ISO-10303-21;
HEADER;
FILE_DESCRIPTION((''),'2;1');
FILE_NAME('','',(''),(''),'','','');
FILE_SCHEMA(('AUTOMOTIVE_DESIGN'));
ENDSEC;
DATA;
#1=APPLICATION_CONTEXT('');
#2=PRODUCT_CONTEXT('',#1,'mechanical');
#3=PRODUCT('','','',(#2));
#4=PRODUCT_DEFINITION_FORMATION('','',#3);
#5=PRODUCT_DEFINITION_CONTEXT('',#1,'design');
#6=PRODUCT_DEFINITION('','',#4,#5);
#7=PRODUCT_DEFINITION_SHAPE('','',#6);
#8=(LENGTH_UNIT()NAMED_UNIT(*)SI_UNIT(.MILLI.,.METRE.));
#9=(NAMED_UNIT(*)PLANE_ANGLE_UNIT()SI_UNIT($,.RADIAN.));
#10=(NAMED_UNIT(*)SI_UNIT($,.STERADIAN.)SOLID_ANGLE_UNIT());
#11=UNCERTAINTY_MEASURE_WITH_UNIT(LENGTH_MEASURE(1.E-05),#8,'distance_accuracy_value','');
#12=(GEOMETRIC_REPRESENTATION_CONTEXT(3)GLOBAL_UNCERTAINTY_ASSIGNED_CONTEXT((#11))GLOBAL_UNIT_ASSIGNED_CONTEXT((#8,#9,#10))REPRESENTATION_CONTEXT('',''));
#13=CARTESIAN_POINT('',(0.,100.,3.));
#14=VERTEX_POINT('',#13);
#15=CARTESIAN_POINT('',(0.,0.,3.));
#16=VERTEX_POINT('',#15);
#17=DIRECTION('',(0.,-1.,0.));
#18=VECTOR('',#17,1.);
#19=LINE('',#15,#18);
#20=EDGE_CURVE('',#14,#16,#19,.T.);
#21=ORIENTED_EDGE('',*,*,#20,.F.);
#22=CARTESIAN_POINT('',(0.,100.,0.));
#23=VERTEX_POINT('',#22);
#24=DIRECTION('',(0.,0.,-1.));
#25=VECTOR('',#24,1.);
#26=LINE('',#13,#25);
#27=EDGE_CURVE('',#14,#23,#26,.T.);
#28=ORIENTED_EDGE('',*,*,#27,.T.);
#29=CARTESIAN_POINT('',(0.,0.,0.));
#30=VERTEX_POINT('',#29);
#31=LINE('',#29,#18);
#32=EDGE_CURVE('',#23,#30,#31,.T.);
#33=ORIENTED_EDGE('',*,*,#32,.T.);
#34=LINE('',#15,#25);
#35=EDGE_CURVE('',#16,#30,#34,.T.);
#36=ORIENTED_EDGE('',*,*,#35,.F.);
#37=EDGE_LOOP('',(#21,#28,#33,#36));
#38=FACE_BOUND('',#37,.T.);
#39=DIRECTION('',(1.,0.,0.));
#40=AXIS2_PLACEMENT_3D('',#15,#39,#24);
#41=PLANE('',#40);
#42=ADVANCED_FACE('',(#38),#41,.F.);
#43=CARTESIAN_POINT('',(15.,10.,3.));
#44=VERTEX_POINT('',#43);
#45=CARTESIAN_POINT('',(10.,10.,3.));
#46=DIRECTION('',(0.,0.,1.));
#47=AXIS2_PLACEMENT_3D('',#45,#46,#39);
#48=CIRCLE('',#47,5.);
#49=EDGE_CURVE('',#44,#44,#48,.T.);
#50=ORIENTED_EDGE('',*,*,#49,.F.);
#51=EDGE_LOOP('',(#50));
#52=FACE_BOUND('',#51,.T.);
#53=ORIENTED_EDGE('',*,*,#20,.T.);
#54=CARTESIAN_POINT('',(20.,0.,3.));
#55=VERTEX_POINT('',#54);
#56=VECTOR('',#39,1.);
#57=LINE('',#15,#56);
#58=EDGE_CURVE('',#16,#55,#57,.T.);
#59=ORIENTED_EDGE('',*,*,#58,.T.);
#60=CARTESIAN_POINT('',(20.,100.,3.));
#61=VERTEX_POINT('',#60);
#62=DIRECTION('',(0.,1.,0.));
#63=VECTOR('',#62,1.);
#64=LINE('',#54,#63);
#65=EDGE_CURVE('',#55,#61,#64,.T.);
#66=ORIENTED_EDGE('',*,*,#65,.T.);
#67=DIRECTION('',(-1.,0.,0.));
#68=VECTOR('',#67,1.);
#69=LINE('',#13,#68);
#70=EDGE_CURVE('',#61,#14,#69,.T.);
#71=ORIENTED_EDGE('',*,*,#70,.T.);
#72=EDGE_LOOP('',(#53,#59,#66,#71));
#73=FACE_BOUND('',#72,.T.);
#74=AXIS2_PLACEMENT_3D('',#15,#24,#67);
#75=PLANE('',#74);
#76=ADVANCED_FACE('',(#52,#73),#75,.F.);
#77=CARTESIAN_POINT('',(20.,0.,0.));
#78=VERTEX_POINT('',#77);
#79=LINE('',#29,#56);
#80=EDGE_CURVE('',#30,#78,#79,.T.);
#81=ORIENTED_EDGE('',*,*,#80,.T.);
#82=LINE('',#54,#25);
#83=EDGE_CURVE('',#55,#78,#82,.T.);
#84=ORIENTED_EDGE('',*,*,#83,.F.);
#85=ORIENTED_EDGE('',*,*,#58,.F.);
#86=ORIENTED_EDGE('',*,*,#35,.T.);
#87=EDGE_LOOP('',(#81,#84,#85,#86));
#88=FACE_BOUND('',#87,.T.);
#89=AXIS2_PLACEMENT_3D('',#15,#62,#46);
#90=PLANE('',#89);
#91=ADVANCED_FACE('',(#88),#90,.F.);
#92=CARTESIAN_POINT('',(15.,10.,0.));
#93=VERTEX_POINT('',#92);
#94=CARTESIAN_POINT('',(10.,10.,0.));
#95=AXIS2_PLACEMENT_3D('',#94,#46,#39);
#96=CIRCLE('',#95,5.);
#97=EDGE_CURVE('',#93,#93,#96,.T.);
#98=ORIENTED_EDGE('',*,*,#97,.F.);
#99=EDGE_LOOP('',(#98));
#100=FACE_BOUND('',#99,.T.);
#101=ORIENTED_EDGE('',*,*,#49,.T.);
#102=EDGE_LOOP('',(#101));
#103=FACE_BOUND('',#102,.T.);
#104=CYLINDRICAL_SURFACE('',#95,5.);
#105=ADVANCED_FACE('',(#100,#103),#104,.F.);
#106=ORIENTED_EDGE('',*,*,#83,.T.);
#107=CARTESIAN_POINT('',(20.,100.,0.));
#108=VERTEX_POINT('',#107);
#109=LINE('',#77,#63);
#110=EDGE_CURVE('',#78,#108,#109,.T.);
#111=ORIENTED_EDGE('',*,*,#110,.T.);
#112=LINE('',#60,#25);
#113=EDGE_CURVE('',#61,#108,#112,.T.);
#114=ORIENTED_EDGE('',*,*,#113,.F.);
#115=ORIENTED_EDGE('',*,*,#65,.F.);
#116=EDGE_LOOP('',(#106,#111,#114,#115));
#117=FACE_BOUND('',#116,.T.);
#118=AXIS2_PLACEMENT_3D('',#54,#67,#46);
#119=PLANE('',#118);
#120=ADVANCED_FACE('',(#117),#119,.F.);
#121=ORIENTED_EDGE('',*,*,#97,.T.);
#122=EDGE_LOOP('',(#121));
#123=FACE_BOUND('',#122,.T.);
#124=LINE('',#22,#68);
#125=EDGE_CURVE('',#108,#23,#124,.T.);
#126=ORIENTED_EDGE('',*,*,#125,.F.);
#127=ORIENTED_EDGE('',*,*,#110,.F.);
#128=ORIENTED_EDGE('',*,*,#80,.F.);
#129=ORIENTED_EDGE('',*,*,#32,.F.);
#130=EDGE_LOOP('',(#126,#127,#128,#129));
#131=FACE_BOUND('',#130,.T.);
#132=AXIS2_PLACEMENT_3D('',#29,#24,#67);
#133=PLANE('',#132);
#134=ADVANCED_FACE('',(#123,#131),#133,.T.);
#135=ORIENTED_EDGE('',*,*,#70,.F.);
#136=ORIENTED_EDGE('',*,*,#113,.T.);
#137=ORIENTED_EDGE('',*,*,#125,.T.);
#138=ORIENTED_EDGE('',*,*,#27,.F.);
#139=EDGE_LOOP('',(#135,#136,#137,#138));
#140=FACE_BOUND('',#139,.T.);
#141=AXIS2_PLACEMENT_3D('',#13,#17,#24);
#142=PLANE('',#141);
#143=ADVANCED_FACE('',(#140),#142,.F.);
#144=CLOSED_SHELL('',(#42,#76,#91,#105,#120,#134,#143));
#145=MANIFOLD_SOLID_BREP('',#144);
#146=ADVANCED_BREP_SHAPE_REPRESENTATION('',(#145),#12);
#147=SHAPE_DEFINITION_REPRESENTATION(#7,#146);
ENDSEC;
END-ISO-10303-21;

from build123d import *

# Parameters (mm, degrees)
SKETCH1_W      = 20
SKETCH1_H      = 100
EXTRUDE1_DEPTH = 3
SKETCH2_R      = 5
EXTRUDE2_DEPTH = 103.02450686


with BuildPart() as part:
    # Sketch1 → Extrude1 (new body)
    with BuildSketch(Plane.XY):
        with Locations((10, 50)):
            Rectangle(SKETCH1_W, SKETCH1_H)
    extrude(amount=EXTRUDE1_DEPTH)

    # Sketch2 → Extrude2 (cut, through all)
    with BuildSketch(Plane.XY.offset(3)):
        with Locations((10, 10)):
            Circle(SKETCH2_R)
    extrude(amount=-EXTRUDE2_DEPTH, mode=Mode.SUBTRACT)


solid = part.part
